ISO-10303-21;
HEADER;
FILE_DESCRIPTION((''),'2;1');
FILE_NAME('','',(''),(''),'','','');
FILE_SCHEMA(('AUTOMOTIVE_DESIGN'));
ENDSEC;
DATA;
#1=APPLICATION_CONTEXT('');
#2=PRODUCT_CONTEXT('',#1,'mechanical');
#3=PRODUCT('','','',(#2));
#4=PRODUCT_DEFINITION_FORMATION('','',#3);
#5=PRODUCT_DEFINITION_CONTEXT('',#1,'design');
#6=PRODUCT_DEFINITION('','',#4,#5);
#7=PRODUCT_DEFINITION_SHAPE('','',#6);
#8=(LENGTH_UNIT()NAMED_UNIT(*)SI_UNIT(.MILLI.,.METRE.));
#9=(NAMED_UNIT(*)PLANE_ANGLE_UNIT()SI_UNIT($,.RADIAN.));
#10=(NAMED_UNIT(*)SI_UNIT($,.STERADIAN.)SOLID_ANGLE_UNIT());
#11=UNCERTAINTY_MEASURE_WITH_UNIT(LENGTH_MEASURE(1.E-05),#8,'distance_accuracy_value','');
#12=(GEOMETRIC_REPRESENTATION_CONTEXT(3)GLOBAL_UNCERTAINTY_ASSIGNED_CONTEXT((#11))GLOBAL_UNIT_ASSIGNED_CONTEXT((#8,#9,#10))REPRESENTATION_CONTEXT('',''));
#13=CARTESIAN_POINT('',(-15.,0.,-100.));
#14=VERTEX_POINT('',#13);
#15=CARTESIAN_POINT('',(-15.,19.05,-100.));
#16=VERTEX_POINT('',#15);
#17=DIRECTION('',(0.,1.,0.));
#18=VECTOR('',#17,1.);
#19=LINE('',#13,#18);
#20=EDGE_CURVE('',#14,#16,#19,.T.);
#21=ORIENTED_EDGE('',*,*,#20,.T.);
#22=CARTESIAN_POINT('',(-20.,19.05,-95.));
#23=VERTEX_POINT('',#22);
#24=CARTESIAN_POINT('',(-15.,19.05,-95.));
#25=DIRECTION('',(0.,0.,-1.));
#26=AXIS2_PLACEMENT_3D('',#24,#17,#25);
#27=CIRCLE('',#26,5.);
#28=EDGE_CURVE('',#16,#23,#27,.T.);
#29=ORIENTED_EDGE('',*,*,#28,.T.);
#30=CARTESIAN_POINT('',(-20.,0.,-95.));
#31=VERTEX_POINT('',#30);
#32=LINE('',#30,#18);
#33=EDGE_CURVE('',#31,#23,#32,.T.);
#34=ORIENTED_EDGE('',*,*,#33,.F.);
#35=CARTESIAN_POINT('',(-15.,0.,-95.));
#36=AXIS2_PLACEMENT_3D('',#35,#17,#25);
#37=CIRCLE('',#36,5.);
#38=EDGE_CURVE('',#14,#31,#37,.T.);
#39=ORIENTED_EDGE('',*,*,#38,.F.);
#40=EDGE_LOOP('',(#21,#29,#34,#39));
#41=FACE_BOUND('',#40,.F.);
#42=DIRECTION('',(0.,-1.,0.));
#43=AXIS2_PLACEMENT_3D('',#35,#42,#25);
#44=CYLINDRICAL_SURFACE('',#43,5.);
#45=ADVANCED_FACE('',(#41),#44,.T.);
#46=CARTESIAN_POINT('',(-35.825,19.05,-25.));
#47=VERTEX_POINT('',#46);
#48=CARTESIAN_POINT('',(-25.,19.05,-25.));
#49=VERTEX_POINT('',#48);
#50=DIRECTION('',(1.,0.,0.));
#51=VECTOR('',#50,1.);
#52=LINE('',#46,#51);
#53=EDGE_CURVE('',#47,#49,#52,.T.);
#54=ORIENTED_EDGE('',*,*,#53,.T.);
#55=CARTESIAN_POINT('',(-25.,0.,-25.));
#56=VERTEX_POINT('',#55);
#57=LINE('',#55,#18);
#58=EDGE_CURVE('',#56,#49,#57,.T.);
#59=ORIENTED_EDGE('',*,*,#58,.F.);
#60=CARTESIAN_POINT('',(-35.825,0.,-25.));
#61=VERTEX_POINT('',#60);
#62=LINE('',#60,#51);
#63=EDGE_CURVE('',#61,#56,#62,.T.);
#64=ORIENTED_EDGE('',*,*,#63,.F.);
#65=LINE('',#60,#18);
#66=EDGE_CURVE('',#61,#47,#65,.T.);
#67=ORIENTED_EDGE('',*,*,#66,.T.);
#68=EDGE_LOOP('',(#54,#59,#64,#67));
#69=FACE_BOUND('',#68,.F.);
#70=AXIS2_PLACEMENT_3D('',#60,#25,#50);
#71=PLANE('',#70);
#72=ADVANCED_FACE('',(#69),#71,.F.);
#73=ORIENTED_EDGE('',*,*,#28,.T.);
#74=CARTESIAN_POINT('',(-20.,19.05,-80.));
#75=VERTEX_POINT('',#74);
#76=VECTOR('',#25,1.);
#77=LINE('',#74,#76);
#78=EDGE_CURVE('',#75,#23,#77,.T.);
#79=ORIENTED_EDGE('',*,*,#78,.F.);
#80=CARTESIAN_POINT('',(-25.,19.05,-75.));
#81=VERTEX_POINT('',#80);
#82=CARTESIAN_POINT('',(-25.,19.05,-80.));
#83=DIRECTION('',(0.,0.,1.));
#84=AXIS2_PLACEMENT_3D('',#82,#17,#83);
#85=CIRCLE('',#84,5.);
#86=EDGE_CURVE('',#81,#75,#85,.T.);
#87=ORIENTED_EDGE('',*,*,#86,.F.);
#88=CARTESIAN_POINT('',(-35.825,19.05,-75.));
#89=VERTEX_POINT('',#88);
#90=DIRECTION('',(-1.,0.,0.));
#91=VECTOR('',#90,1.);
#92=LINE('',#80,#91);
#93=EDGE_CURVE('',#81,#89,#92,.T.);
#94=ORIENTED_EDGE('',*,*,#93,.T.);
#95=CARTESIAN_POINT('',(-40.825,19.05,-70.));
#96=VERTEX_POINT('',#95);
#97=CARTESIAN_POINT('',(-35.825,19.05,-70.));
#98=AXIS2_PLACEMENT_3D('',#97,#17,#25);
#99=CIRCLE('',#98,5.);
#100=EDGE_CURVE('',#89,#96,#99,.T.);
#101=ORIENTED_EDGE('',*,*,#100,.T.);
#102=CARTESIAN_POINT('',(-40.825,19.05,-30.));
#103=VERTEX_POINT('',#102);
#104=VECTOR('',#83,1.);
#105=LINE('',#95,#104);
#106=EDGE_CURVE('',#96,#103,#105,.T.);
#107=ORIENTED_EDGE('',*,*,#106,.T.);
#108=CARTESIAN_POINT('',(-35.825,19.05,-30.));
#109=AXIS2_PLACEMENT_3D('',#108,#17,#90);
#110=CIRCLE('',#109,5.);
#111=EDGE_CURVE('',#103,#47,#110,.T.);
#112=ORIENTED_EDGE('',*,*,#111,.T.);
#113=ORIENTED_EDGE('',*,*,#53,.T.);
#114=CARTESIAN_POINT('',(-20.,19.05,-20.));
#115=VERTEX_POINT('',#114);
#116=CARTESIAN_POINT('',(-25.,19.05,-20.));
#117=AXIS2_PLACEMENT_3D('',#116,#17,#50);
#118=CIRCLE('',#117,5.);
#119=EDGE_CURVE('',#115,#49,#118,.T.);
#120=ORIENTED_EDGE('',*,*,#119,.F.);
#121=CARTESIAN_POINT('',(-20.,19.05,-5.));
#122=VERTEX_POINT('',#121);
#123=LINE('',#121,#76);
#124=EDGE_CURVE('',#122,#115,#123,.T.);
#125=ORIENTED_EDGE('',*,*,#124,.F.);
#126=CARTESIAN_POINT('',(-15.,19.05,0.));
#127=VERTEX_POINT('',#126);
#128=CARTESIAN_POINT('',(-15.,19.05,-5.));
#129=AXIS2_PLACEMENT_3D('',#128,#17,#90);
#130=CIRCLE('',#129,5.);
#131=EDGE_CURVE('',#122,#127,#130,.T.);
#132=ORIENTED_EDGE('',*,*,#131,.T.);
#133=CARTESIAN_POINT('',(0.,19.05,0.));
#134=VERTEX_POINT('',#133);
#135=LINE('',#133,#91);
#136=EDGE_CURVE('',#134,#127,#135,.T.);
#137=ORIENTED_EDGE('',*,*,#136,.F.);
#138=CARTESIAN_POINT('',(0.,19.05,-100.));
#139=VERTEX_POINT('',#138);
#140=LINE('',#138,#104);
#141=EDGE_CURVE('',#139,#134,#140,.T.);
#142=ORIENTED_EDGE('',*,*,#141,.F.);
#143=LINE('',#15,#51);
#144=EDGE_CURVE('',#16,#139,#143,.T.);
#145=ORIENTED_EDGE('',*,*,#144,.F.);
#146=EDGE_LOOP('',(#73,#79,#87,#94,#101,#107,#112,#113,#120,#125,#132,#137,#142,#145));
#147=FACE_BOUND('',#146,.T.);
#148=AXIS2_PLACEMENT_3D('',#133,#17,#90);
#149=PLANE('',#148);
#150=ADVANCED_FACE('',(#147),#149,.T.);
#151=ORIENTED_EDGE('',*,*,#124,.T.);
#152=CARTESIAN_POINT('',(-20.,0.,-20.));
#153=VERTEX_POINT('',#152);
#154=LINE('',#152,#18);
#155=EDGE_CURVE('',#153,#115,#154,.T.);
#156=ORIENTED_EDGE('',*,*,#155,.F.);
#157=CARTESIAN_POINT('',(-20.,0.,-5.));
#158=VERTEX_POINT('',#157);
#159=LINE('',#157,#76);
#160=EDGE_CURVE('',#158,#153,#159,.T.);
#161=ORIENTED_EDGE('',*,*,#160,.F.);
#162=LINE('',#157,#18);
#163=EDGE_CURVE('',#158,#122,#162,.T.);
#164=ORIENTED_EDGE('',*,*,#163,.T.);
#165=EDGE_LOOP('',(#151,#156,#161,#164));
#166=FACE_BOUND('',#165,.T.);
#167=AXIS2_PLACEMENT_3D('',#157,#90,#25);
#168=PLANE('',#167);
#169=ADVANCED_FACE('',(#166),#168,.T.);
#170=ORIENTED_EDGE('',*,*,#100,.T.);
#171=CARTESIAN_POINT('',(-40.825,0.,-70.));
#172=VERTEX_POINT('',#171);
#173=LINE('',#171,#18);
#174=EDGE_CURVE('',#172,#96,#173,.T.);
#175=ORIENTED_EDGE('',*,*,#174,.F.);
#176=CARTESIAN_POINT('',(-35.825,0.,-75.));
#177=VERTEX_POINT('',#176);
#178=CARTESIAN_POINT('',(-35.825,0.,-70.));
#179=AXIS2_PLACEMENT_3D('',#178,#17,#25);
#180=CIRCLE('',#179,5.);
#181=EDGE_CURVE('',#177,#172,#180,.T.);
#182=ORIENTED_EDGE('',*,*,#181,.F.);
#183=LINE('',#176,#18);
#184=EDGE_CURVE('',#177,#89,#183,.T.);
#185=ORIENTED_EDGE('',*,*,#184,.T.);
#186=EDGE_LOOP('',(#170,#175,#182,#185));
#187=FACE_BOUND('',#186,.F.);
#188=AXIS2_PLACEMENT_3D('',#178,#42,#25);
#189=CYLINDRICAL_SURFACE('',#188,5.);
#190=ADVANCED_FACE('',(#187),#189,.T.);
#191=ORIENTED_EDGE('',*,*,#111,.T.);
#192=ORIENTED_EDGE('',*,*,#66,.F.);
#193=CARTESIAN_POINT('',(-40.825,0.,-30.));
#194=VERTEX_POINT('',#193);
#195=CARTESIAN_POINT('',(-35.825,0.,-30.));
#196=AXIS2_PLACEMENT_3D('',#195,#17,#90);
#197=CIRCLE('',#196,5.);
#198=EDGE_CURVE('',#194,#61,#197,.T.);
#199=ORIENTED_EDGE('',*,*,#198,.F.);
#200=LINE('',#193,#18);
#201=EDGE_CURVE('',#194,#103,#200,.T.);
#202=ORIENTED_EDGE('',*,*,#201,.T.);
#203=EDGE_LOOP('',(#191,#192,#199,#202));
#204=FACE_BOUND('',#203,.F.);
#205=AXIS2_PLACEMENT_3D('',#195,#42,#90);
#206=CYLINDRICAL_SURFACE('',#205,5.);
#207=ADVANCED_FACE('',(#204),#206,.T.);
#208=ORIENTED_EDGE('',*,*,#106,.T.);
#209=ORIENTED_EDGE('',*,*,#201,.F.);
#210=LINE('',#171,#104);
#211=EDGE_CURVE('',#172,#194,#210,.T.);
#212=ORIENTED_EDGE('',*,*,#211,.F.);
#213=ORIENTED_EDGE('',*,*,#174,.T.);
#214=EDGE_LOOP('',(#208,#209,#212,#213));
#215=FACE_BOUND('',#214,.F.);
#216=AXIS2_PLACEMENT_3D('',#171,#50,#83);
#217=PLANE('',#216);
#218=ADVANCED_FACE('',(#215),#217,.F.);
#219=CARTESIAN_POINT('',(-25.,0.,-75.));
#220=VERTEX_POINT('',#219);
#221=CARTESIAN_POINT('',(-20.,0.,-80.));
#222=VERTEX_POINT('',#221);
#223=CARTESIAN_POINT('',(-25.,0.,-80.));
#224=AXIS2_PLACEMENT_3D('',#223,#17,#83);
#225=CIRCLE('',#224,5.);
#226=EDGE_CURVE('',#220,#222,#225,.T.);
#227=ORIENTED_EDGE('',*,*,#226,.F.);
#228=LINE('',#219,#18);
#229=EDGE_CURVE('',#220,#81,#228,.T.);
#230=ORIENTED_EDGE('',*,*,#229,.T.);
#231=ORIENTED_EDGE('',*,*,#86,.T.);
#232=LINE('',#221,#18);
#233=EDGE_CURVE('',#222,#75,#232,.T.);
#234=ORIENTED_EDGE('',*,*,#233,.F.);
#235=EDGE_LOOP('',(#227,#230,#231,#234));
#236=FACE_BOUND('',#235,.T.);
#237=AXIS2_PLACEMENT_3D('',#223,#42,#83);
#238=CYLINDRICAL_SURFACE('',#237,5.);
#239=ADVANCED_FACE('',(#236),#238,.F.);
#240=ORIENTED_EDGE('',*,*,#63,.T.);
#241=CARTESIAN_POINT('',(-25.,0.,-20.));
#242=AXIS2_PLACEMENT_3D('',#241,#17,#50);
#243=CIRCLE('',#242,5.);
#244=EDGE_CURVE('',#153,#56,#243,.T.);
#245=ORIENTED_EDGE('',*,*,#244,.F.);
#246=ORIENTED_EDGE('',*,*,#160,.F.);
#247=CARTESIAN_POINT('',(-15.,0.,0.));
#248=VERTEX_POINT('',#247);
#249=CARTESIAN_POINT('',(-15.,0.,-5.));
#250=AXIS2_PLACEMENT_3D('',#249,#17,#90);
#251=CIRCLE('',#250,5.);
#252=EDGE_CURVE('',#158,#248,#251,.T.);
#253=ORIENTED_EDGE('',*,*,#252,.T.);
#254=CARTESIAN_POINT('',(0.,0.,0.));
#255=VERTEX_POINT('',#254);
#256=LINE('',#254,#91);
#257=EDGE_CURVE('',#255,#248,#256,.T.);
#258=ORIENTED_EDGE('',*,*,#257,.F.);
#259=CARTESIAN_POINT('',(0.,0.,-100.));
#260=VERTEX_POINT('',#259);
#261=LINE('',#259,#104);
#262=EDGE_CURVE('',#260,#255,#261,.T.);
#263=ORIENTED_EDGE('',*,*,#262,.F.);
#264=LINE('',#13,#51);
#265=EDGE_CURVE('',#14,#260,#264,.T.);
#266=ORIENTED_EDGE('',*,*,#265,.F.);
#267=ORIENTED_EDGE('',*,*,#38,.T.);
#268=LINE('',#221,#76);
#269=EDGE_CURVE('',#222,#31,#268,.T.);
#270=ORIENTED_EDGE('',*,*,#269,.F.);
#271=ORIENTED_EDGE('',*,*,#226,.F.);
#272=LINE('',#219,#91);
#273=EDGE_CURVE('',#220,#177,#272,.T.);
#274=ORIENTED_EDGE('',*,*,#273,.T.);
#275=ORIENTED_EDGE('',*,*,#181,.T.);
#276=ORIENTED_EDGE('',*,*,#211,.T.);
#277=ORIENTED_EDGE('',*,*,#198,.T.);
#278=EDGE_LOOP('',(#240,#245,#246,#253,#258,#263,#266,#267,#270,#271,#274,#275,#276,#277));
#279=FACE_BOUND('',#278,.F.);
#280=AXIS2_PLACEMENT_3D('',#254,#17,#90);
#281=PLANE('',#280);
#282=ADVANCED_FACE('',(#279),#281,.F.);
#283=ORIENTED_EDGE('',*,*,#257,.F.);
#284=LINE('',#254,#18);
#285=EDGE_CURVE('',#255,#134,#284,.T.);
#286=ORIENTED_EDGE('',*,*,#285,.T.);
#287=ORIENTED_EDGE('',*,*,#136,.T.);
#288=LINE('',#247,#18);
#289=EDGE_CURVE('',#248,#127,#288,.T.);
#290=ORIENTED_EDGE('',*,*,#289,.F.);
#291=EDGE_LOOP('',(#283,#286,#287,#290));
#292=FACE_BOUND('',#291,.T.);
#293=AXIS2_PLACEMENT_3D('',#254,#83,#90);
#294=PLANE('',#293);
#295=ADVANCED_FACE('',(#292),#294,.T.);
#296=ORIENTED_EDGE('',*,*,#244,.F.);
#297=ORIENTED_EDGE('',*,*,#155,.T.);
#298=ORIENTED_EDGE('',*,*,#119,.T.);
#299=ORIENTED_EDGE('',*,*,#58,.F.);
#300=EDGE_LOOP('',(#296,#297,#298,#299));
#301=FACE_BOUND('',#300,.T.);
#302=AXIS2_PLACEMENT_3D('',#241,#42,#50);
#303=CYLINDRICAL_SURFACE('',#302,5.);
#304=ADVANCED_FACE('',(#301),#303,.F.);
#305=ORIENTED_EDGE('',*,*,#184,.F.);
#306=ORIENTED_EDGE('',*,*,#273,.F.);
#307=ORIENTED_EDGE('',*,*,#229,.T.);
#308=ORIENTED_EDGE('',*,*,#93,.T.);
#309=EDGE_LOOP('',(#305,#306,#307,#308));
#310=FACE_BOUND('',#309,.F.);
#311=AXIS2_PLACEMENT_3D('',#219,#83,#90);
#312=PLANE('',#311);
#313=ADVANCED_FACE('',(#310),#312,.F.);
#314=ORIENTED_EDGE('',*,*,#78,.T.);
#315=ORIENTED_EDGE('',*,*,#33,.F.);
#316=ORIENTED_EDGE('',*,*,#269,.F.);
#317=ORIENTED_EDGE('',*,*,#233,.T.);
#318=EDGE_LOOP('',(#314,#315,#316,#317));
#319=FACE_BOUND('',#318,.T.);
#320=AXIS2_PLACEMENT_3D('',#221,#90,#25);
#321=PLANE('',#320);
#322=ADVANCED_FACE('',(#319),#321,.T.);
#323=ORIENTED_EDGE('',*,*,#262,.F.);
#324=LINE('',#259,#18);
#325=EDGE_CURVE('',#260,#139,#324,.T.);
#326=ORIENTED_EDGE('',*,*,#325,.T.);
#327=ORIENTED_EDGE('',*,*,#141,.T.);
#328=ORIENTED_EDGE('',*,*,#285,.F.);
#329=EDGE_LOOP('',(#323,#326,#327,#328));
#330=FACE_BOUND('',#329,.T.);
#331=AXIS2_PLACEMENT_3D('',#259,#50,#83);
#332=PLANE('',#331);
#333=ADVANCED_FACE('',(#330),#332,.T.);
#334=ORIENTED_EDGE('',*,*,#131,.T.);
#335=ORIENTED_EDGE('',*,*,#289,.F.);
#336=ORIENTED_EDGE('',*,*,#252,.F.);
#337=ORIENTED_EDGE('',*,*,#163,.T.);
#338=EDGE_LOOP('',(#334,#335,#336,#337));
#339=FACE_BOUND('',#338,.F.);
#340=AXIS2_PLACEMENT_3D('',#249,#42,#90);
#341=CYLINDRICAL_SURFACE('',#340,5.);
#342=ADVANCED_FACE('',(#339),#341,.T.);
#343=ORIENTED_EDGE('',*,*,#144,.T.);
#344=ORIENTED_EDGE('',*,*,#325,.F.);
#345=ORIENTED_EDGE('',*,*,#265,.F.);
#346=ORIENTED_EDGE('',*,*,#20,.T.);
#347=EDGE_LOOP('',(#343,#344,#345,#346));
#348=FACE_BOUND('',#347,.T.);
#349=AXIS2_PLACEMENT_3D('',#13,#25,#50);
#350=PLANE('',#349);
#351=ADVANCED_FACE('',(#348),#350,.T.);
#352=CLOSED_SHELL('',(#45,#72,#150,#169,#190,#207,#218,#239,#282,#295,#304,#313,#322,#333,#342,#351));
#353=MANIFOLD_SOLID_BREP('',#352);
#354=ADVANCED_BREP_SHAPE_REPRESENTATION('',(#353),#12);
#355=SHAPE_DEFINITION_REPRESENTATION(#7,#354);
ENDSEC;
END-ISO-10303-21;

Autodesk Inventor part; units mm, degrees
ref_plane "YZ Plane" through (0, 0, 0) normal (1, 0, 0) x (0, 1, 0)
ref_plane "XZ Plane" through (0, 0, 0) normal (0, 1, 0) x (-1, 0, 0)
ref_plane "XY Plane" through (0, 0, 0) normal (0, 0, 1) x (1, 0, 0)
sketch "Sketch1" plane through (0, 0, 0) normal (0, 1, 0) x (-1, 0, 0)
  line L0 (0, 0) -> (15, 0) construction
  line L1 (0, 0) -> (20, 0)
  line L2 (20, -5) -> (20, -20)
  line L3 (15, -100) -> (0, -100)
  line L4 (0, -100) -> (0, 0)
  line L5 (20, -50) -> (40.825, -50) construction
  line L6 (35.825, -25) -> (25, -25)
  line L7 (20, -25) -> (20, -75) construction
  line L8 (25, -75) -> (35.825, -75)
  line L9 (40.825, -70) -> (40.825, -30)
  line L10 (40.825, -25) -> (20, -75) construction
  line L11 (20, -25) -> (40.825, -75) construction
  line L12 (40.825, 0) -> (40.825, -9.0602) construction
  line L13 (20, -25) -> (20, -75) construction
  line L14 (20, -80) -> (20, -95)
  arc A0 (20, -5) -> (15, 0) centre (15, -5) ccw
  arc A1 (20, -20) -> (25, -25) centre (25, -20) ccw
  arc A2 (40.825, -30) -> (35.825, -25) centre (35.825, -30) ccw
  arc A3 (35.825, -75) -> (40.825, -70) centre (35.825, -70) ccw
  arc A4 (25, -75) -> (20, -80) centre (25, -80) ccw
  arc A5 (15, -100) -> (20, -95) centre (15, -95) ccw
  point P0 (20, -100)
  point P1 (30.4125, -50)
  dimension "d10" = 40.825
  dimension "d11" = 20
  dimension "d12" = 100
  dimension "d13" = 50
  dimension "d14" = 5
extrude "Extrusion1" add sketch "Sketch1" along normal blind 19.05
sketch "Sketch2" plane through (-20, 0, -20) normal (-1, 0, 0) x (0, 0, 1)
  point P0 (20, 0)
properties part number "Soporte Riel" material "Aluminum 6061"
